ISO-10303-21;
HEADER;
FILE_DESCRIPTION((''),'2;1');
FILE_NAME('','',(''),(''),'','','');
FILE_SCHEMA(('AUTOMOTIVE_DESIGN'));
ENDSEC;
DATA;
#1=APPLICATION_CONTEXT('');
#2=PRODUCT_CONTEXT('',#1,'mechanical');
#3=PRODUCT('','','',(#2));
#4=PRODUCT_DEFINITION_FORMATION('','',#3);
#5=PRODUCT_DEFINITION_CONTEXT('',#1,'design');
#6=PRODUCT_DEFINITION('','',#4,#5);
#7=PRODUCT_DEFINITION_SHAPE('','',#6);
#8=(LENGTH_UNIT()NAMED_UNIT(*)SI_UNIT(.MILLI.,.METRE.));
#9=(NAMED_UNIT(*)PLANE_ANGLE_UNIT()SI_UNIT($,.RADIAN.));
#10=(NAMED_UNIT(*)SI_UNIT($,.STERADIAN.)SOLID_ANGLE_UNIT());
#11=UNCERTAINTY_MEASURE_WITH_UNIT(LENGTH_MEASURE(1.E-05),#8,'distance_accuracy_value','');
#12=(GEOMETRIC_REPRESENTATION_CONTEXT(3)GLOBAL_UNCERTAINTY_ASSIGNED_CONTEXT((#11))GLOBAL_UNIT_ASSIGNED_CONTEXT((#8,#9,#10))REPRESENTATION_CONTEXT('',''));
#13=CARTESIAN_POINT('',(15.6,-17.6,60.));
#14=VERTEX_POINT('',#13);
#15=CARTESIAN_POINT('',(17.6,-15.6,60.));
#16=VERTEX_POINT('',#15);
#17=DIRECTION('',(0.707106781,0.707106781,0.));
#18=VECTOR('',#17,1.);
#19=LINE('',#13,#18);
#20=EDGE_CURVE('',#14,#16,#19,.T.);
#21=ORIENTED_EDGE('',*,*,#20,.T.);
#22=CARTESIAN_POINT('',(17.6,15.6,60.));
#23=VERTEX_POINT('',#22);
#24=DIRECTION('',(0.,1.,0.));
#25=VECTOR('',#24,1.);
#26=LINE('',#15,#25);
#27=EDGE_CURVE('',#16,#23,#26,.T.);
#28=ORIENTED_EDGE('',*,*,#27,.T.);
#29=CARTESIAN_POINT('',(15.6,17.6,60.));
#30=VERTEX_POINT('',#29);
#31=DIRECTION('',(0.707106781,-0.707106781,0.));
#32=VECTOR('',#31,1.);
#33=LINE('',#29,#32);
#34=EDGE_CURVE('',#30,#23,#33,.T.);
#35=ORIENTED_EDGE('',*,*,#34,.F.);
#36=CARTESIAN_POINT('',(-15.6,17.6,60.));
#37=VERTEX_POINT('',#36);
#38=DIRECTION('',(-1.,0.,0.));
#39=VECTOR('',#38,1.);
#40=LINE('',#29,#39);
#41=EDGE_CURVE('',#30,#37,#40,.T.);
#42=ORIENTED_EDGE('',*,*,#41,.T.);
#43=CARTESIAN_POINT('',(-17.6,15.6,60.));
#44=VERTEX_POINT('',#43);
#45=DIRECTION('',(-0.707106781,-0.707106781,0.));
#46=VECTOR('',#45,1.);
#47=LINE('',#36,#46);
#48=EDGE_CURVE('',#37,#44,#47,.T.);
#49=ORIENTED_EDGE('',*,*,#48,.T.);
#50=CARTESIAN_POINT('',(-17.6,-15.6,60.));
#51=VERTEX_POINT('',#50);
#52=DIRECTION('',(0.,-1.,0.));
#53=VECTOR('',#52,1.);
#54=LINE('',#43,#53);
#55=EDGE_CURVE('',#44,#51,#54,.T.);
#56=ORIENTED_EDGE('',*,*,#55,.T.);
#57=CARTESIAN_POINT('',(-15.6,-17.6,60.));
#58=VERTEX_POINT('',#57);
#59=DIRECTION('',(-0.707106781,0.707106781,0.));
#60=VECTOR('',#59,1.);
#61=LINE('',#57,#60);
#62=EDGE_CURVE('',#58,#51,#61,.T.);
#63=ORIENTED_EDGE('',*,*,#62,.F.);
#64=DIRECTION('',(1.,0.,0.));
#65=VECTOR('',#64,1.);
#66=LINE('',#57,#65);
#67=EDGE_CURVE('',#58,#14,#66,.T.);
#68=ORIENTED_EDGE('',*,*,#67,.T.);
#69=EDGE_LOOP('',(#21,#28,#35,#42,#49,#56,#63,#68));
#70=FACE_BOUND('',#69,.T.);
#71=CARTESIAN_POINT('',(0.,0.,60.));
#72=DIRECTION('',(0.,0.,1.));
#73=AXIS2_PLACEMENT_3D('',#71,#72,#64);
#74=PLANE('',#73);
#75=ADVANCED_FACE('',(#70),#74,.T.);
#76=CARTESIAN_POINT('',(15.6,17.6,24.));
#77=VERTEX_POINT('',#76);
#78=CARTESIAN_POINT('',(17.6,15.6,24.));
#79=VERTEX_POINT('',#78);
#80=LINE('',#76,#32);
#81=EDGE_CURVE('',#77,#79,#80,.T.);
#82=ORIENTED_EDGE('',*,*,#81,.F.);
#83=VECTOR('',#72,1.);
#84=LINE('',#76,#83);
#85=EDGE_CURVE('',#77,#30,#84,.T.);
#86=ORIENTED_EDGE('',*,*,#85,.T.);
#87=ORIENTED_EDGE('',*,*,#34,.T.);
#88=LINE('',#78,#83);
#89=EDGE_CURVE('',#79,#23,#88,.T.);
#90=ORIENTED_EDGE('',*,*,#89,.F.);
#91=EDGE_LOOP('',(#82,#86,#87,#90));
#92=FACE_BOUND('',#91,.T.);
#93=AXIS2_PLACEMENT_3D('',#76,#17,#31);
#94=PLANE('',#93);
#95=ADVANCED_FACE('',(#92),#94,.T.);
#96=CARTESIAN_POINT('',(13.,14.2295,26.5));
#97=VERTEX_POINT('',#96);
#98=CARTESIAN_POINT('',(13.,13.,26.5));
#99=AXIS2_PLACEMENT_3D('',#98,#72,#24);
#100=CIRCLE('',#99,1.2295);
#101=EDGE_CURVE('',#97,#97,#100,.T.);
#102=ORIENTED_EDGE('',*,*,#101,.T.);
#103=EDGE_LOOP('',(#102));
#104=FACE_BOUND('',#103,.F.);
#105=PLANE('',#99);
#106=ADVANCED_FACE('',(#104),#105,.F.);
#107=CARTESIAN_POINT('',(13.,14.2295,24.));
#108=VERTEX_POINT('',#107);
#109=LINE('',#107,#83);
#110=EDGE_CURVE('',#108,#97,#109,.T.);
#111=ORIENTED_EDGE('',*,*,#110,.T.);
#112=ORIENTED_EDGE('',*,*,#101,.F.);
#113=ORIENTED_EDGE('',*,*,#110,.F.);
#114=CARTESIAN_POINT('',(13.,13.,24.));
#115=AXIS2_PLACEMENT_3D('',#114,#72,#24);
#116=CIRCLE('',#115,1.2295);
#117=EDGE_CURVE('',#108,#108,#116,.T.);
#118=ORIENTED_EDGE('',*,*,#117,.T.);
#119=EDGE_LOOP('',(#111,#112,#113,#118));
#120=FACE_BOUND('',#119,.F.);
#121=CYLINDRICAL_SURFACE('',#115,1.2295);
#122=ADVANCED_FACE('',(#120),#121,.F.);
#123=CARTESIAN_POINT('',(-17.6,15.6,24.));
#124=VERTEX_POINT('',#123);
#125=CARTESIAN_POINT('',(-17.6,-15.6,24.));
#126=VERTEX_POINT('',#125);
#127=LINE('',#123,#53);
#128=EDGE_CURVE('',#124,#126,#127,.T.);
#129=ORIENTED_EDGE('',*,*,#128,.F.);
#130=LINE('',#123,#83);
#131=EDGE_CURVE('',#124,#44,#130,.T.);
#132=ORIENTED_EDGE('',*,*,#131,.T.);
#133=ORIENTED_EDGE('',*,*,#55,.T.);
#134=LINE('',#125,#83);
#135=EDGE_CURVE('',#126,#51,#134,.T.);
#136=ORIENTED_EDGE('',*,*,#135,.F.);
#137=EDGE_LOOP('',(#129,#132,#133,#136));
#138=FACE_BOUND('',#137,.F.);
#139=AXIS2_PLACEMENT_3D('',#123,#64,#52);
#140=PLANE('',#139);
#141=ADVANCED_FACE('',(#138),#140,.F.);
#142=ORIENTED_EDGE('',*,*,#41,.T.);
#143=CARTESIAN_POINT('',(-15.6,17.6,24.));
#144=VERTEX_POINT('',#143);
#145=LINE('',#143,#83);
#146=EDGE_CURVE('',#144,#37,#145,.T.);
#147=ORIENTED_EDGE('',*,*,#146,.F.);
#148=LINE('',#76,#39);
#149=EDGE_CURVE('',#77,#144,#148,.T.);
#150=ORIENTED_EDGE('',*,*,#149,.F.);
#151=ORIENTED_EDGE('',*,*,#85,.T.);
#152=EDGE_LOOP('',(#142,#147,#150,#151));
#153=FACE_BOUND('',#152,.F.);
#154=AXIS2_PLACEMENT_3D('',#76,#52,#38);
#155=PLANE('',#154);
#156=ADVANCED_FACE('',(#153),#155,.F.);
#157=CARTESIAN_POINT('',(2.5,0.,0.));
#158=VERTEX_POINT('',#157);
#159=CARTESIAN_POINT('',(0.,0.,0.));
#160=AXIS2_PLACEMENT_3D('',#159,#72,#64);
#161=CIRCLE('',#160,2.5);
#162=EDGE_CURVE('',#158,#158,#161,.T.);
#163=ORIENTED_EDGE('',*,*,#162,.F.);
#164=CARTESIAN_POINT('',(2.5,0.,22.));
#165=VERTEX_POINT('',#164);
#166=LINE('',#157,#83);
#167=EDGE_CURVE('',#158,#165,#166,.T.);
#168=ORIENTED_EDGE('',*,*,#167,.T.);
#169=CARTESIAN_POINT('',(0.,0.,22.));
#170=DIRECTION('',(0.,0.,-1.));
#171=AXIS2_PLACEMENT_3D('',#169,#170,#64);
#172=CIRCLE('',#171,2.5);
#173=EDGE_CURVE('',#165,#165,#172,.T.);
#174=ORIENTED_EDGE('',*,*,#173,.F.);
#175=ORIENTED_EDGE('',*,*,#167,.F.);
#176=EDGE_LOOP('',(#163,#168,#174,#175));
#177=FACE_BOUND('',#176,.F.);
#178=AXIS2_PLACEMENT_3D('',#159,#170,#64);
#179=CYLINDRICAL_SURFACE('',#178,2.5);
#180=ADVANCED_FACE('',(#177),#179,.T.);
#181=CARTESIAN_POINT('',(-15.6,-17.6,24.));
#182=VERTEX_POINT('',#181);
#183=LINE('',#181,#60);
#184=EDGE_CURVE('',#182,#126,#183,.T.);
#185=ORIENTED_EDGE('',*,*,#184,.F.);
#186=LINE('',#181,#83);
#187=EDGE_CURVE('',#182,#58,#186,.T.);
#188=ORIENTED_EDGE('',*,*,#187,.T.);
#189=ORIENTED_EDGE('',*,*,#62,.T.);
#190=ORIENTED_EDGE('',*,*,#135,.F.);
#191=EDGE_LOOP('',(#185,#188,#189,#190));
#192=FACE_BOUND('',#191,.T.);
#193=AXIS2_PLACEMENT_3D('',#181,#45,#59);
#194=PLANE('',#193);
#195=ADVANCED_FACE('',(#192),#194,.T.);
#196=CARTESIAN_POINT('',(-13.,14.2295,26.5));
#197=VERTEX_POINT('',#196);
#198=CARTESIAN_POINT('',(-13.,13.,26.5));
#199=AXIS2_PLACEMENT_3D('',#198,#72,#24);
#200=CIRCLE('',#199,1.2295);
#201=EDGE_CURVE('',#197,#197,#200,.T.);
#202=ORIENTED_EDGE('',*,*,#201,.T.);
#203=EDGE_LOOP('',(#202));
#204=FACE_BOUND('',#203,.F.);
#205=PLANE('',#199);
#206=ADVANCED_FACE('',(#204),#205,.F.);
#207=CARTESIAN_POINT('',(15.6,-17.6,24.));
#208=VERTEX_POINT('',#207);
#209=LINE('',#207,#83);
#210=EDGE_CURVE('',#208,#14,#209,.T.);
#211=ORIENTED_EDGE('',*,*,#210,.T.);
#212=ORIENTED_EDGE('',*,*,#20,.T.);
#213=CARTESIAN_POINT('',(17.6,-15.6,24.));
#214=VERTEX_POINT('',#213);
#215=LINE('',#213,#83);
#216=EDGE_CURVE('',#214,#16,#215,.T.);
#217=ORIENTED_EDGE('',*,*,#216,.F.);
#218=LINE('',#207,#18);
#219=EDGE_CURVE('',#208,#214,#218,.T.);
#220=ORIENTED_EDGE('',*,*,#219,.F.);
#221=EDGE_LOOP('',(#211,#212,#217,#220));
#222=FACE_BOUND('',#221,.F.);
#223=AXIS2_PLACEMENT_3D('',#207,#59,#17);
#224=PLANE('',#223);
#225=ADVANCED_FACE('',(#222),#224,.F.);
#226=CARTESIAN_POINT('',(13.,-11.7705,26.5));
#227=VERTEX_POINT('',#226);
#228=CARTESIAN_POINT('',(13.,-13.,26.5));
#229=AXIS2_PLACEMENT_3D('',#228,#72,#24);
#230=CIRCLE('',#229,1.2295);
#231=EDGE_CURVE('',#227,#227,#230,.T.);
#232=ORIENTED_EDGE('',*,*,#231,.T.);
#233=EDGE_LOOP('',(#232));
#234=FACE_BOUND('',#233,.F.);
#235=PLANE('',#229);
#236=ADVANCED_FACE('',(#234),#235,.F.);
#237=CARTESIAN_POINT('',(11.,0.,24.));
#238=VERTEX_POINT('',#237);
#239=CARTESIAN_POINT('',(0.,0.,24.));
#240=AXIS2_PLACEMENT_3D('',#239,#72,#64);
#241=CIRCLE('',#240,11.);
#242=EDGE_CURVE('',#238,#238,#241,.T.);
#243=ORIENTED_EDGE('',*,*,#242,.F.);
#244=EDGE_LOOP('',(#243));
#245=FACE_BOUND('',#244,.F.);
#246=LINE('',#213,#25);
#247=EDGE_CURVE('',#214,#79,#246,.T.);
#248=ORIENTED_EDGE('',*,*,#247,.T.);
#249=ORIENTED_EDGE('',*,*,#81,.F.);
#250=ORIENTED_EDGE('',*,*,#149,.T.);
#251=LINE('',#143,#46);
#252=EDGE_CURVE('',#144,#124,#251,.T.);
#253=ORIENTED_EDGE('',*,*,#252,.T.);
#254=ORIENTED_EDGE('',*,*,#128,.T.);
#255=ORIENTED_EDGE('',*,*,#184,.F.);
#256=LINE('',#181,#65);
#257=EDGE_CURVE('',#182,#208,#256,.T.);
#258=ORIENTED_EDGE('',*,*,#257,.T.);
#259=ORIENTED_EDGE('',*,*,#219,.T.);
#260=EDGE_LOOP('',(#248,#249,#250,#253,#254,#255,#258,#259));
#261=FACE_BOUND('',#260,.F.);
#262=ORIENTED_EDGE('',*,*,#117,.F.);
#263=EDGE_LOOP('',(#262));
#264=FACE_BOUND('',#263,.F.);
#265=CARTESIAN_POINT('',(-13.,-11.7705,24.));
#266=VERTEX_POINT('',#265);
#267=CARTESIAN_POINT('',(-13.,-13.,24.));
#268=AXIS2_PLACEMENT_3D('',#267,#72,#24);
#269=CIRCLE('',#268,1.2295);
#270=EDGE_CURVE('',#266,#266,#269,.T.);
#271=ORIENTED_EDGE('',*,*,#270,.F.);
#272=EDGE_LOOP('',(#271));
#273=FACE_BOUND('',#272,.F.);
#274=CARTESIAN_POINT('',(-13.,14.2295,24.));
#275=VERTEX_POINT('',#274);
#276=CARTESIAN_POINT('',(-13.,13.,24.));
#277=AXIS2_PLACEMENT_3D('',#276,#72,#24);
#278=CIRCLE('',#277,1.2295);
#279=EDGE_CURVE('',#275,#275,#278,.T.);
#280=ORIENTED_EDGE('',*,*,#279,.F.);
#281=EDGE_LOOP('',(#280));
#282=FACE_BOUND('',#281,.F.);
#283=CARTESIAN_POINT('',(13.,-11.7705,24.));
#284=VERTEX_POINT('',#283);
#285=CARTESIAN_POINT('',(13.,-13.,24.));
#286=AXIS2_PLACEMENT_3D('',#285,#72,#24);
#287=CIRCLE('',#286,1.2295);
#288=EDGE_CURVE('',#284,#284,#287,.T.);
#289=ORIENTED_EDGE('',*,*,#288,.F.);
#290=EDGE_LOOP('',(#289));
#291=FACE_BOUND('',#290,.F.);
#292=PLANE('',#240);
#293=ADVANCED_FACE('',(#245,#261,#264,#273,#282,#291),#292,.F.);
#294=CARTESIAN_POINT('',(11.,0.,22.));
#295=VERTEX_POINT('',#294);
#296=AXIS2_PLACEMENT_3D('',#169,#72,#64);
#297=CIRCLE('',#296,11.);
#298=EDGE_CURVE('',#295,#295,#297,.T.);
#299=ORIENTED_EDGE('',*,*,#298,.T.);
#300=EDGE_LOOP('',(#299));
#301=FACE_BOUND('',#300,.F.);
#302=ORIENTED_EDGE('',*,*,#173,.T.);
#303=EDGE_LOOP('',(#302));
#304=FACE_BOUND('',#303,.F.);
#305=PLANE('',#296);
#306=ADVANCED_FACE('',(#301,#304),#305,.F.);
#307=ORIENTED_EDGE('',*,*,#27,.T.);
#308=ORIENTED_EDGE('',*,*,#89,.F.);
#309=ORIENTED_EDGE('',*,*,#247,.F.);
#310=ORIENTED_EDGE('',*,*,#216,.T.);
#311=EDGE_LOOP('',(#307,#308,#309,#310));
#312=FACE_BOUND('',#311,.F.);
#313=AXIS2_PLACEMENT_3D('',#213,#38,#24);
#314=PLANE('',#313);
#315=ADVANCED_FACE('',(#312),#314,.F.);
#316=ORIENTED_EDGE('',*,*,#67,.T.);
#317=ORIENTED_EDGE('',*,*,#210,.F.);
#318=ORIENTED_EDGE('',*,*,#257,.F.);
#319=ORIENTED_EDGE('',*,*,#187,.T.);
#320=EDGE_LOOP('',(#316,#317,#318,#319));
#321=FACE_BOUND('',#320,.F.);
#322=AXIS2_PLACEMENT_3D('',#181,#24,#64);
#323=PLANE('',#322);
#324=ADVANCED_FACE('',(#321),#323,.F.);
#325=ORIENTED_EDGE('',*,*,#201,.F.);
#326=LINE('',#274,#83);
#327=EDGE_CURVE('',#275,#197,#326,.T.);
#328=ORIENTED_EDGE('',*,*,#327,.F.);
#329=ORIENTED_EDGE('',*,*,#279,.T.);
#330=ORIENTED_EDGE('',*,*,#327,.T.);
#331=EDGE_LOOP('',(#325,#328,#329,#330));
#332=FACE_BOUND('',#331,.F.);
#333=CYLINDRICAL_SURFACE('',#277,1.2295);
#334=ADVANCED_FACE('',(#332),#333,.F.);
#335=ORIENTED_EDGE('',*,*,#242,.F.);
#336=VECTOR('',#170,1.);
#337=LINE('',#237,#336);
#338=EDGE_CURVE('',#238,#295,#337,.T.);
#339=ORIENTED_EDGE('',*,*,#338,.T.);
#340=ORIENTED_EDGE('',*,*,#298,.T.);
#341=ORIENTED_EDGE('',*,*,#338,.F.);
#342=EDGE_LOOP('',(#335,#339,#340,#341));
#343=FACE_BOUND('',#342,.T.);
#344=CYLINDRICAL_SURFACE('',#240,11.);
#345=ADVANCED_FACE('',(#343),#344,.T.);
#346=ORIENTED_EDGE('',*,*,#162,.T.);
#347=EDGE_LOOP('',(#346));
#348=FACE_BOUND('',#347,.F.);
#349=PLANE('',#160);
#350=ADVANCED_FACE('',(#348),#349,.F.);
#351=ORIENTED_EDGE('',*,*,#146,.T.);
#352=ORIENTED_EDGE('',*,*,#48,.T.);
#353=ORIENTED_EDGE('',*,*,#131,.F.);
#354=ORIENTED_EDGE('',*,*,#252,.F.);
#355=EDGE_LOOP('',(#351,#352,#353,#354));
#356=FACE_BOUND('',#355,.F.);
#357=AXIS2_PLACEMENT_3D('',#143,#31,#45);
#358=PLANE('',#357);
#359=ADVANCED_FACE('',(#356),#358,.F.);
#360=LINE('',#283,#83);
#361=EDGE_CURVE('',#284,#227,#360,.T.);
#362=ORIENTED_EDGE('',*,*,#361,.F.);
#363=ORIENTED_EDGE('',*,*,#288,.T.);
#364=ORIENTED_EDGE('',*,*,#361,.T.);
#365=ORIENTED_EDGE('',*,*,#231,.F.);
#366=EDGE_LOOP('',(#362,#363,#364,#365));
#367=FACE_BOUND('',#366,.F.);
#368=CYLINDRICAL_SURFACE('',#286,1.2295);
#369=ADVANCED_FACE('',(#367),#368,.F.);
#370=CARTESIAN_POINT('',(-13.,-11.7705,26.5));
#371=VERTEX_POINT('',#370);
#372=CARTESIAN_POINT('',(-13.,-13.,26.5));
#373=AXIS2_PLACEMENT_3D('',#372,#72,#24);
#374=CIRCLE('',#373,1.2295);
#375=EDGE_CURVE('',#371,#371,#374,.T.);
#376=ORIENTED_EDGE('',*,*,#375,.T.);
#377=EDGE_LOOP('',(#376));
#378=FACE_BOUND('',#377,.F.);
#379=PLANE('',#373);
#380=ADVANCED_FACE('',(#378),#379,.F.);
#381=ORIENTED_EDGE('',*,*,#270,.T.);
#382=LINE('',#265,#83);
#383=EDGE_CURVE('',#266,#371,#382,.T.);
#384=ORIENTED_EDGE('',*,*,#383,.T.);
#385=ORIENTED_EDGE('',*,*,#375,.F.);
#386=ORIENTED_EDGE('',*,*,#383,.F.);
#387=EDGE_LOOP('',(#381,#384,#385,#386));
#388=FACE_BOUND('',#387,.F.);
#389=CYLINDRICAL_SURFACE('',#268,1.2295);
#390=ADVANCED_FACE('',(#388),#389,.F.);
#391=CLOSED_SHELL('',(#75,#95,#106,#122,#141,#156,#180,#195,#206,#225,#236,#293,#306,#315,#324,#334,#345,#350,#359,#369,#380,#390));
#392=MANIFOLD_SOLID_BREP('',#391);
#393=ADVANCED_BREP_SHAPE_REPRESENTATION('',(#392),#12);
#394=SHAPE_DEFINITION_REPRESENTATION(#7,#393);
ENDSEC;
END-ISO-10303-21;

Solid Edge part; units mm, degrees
sketch "Sketch1" plane through (0, 0, 0) normal (0, 0, 1) x (1, 0, 0)
  circle A0 centre (0, 0) radius 2.5
extrude "Protrusion1" add sketch "Sketch1" along normal blind 24
sketch "Sketch2" plane through (0, 0, 24) normal (0, 0, 1) x (1, 0, 0)
  circle A0 centre (0, 0) radius 11
extrude "ExtrudedProtrusion_2" add sketch "Sketch2" against normal blind 2
sketch "Sketch3" plane through (0, 0, 24) normal (0, 0, 1) x (1, 0, 0)
  line L0 (-15.6, -17.6) -> (15.6, -17.6)
  line L1 (15.6, -17.6) -> (17.6, -15.6)
  line L2 (17.6, -15.6) -> (17.6, 15.6)
  line L3 (15.6, 17.6) -> (17.6, 15.6)
  line L4 (15.6, 17.6) -> (-15.6, 17.6)
  line L5 (-15.6, 17.6) -> (-17.6, 15.6)
  line L6 (-17.6, 15.6) -> (-17.6, -15.6)
  line L7 (-15.6, -17.6) -> (-17.6, -15.6)
extrude "ExtrudedProtrusion_3" add sketch "Sketch3" along normal blind 36
hole "Hole_1" at (-13, -13, 24) direction (0, 0, 1) diameter 2.459 depth 2.5 thread major 3 thread length 2.5
hole "Hole1" at (-13, 13, 24) direction (0, 0, 1) diameter 2.459 depth 2.5 thread major 3 thread length 2.5
hole "Hole2" at (13, 13, 24) direction (0, 0, 1) diameter 2.459 depth 2.5 thread major 3 thread length 2.5
hole "Hole3" at (13, -13, 24) direction (0, 0, 1) diameter 2.459 depth 2.5 thread major 3 thread length 2.5
extrude "ExtrudedProtrusion_4" [suppressed]
